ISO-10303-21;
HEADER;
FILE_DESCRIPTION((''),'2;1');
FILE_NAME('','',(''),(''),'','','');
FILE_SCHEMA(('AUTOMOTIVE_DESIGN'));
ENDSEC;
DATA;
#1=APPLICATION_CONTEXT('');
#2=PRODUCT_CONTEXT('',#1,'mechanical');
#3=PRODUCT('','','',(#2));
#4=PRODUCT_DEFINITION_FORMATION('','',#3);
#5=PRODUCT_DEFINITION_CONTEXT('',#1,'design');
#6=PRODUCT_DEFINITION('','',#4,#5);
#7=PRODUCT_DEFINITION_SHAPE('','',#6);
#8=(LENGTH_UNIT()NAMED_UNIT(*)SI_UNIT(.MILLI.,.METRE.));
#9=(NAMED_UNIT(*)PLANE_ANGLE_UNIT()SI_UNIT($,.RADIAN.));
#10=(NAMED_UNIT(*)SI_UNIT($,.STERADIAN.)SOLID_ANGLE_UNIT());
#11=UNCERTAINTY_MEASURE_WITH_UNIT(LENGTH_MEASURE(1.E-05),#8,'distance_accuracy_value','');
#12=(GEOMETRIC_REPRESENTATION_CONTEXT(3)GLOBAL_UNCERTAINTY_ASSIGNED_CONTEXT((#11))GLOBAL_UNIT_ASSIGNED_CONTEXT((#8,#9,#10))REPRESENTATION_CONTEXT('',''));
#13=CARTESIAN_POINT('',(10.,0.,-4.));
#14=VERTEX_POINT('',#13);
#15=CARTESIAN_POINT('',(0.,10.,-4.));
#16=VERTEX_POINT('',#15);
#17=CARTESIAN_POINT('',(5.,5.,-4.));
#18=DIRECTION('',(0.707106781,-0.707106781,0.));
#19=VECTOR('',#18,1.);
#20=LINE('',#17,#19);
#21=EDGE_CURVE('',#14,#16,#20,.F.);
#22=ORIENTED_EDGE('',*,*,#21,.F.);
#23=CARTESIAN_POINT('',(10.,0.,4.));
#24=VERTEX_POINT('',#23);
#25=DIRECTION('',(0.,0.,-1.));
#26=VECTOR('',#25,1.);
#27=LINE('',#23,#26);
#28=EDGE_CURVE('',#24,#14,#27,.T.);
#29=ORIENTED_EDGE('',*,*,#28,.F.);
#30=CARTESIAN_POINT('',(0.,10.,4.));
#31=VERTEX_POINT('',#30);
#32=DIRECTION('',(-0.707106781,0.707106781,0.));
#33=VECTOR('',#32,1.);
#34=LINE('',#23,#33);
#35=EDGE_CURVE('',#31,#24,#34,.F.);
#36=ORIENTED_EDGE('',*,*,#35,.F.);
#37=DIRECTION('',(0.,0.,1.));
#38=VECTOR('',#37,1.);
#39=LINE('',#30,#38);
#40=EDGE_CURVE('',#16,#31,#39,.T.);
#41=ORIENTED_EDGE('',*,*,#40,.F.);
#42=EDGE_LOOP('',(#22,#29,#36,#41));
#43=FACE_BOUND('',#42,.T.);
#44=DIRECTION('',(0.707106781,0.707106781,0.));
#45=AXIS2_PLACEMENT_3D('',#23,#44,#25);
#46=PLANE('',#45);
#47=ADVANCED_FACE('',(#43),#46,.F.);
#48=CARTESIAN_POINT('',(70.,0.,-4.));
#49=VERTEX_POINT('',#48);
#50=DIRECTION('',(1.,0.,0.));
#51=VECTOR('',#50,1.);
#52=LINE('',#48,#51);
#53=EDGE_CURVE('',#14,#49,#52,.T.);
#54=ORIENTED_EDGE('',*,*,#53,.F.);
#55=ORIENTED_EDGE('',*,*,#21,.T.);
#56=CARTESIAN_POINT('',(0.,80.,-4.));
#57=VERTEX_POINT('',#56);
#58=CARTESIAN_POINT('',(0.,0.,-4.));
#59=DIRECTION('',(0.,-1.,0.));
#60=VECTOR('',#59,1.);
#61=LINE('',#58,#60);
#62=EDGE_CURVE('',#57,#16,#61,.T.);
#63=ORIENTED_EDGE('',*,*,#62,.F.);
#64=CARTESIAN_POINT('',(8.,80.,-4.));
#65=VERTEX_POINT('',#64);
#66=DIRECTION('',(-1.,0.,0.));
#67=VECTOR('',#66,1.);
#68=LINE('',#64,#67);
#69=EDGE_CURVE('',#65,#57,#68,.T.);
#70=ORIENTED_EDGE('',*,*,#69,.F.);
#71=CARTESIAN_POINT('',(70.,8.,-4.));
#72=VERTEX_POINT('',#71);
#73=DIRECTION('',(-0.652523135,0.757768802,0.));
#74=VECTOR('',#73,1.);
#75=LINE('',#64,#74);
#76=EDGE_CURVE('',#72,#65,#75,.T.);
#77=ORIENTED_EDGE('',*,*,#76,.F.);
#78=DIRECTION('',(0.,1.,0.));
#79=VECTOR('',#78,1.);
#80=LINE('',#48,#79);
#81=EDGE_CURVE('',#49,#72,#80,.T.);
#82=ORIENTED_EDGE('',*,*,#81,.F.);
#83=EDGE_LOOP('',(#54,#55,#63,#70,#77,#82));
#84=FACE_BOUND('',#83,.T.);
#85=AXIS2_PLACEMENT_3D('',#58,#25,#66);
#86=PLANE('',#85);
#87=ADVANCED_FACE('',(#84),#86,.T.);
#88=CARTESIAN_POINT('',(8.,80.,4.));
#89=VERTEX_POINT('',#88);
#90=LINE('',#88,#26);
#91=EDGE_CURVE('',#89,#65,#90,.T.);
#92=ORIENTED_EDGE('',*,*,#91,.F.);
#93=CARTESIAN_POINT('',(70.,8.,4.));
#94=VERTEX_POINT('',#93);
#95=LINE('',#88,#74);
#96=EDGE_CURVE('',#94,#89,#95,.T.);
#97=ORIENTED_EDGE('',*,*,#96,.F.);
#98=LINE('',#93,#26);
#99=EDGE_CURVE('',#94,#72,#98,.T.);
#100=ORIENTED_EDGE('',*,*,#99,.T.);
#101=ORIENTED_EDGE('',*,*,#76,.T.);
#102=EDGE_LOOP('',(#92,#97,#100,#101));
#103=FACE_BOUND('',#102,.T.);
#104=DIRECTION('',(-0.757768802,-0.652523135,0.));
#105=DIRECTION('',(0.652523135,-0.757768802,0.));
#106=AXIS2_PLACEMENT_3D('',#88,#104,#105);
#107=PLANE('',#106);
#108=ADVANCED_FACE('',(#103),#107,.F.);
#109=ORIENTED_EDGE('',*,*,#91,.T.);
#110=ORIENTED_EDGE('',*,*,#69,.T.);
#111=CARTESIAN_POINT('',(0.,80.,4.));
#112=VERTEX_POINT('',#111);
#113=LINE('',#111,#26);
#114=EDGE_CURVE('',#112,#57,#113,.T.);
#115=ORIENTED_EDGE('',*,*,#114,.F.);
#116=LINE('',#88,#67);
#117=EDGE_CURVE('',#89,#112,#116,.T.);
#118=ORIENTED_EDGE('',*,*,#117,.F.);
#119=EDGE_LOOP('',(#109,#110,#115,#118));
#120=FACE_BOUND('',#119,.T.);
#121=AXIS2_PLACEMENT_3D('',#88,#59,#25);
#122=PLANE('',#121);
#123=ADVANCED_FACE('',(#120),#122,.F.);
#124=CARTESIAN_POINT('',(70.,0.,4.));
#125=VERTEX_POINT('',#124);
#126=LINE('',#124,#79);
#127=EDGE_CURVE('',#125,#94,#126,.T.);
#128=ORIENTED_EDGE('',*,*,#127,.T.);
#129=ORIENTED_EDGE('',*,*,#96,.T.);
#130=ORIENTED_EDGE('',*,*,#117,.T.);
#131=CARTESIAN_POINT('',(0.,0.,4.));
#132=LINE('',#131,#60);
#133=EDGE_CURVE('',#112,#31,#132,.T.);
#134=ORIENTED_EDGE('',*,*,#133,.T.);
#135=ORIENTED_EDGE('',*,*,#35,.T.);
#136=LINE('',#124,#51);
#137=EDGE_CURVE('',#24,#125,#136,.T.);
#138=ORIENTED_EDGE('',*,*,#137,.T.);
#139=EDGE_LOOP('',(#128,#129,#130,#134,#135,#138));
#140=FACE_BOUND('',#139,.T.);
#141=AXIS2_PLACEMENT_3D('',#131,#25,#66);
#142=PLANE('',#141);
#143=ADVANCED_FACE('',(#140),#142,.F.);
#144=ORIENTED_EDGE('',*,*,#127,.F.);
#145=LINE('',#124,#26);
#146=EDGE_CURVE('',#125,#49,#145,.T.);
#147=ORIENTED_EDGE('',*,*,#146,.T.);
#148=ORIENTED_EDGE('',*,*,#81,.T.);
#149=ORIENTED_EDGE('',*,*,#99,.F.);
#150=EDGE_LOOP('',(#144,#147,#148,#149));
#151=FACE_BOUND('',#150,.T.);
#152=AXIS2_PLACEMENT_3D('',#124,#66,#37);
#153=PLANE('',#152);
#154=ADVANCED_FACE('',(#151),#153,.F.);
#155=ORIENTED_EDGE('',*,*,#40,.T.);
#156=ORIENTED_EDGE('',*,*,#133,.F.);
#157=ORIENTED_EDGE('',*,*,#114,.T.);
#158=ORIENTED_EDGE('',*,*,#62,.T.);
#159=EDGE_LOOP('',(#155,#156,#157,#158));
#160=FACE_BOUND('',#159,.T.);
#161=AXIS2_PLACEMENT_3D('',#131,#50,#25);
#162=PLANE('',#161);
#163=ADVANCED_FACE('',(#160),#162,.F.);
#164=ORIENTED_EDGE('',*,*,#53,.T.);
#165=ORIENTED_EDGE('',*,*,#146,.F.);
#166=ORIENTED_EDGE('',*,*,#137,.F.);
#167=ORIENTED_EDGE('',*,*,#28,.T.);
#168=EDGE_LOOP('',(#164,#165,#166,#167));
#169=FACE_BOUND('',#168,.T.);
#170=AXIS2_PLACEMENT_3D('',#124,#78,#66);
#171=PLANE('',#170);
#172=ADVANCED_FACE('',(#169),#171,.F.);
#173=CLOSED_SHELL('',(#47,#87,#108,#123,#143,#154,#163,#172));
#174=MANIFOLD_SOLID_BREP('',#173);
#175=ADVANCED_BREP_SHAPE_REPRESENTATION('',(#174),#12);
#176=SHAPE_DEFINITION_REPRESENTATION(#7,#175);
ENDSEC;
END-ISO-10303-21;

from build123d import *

# Parameters (mm, degrees)
EXTRUDE_1_DEPTH = 4
CHAMFER_1_SIZE  = 10


with BuildPart() as part:
    # Эскиз1 → Бобышка-Вытянуть1 (new, symmetric)
    with BuildSketch(Plane.XY):
        Polygon((0, 0), (0, 80), (8, 80), (70, 8), (70, 0), align=None)
    extrude(amount=EXTRUDE_1_DEPTH, both=True)

    # Фаска1
    chamfer_1_edges = [part.edges().sort_by_distance(p)[0] for p in [
        (0, 0, 0),
    ]]
    chamfer(chamfer_1_edges, length=CHAMFER_1_SIZE)


solid = part.part
